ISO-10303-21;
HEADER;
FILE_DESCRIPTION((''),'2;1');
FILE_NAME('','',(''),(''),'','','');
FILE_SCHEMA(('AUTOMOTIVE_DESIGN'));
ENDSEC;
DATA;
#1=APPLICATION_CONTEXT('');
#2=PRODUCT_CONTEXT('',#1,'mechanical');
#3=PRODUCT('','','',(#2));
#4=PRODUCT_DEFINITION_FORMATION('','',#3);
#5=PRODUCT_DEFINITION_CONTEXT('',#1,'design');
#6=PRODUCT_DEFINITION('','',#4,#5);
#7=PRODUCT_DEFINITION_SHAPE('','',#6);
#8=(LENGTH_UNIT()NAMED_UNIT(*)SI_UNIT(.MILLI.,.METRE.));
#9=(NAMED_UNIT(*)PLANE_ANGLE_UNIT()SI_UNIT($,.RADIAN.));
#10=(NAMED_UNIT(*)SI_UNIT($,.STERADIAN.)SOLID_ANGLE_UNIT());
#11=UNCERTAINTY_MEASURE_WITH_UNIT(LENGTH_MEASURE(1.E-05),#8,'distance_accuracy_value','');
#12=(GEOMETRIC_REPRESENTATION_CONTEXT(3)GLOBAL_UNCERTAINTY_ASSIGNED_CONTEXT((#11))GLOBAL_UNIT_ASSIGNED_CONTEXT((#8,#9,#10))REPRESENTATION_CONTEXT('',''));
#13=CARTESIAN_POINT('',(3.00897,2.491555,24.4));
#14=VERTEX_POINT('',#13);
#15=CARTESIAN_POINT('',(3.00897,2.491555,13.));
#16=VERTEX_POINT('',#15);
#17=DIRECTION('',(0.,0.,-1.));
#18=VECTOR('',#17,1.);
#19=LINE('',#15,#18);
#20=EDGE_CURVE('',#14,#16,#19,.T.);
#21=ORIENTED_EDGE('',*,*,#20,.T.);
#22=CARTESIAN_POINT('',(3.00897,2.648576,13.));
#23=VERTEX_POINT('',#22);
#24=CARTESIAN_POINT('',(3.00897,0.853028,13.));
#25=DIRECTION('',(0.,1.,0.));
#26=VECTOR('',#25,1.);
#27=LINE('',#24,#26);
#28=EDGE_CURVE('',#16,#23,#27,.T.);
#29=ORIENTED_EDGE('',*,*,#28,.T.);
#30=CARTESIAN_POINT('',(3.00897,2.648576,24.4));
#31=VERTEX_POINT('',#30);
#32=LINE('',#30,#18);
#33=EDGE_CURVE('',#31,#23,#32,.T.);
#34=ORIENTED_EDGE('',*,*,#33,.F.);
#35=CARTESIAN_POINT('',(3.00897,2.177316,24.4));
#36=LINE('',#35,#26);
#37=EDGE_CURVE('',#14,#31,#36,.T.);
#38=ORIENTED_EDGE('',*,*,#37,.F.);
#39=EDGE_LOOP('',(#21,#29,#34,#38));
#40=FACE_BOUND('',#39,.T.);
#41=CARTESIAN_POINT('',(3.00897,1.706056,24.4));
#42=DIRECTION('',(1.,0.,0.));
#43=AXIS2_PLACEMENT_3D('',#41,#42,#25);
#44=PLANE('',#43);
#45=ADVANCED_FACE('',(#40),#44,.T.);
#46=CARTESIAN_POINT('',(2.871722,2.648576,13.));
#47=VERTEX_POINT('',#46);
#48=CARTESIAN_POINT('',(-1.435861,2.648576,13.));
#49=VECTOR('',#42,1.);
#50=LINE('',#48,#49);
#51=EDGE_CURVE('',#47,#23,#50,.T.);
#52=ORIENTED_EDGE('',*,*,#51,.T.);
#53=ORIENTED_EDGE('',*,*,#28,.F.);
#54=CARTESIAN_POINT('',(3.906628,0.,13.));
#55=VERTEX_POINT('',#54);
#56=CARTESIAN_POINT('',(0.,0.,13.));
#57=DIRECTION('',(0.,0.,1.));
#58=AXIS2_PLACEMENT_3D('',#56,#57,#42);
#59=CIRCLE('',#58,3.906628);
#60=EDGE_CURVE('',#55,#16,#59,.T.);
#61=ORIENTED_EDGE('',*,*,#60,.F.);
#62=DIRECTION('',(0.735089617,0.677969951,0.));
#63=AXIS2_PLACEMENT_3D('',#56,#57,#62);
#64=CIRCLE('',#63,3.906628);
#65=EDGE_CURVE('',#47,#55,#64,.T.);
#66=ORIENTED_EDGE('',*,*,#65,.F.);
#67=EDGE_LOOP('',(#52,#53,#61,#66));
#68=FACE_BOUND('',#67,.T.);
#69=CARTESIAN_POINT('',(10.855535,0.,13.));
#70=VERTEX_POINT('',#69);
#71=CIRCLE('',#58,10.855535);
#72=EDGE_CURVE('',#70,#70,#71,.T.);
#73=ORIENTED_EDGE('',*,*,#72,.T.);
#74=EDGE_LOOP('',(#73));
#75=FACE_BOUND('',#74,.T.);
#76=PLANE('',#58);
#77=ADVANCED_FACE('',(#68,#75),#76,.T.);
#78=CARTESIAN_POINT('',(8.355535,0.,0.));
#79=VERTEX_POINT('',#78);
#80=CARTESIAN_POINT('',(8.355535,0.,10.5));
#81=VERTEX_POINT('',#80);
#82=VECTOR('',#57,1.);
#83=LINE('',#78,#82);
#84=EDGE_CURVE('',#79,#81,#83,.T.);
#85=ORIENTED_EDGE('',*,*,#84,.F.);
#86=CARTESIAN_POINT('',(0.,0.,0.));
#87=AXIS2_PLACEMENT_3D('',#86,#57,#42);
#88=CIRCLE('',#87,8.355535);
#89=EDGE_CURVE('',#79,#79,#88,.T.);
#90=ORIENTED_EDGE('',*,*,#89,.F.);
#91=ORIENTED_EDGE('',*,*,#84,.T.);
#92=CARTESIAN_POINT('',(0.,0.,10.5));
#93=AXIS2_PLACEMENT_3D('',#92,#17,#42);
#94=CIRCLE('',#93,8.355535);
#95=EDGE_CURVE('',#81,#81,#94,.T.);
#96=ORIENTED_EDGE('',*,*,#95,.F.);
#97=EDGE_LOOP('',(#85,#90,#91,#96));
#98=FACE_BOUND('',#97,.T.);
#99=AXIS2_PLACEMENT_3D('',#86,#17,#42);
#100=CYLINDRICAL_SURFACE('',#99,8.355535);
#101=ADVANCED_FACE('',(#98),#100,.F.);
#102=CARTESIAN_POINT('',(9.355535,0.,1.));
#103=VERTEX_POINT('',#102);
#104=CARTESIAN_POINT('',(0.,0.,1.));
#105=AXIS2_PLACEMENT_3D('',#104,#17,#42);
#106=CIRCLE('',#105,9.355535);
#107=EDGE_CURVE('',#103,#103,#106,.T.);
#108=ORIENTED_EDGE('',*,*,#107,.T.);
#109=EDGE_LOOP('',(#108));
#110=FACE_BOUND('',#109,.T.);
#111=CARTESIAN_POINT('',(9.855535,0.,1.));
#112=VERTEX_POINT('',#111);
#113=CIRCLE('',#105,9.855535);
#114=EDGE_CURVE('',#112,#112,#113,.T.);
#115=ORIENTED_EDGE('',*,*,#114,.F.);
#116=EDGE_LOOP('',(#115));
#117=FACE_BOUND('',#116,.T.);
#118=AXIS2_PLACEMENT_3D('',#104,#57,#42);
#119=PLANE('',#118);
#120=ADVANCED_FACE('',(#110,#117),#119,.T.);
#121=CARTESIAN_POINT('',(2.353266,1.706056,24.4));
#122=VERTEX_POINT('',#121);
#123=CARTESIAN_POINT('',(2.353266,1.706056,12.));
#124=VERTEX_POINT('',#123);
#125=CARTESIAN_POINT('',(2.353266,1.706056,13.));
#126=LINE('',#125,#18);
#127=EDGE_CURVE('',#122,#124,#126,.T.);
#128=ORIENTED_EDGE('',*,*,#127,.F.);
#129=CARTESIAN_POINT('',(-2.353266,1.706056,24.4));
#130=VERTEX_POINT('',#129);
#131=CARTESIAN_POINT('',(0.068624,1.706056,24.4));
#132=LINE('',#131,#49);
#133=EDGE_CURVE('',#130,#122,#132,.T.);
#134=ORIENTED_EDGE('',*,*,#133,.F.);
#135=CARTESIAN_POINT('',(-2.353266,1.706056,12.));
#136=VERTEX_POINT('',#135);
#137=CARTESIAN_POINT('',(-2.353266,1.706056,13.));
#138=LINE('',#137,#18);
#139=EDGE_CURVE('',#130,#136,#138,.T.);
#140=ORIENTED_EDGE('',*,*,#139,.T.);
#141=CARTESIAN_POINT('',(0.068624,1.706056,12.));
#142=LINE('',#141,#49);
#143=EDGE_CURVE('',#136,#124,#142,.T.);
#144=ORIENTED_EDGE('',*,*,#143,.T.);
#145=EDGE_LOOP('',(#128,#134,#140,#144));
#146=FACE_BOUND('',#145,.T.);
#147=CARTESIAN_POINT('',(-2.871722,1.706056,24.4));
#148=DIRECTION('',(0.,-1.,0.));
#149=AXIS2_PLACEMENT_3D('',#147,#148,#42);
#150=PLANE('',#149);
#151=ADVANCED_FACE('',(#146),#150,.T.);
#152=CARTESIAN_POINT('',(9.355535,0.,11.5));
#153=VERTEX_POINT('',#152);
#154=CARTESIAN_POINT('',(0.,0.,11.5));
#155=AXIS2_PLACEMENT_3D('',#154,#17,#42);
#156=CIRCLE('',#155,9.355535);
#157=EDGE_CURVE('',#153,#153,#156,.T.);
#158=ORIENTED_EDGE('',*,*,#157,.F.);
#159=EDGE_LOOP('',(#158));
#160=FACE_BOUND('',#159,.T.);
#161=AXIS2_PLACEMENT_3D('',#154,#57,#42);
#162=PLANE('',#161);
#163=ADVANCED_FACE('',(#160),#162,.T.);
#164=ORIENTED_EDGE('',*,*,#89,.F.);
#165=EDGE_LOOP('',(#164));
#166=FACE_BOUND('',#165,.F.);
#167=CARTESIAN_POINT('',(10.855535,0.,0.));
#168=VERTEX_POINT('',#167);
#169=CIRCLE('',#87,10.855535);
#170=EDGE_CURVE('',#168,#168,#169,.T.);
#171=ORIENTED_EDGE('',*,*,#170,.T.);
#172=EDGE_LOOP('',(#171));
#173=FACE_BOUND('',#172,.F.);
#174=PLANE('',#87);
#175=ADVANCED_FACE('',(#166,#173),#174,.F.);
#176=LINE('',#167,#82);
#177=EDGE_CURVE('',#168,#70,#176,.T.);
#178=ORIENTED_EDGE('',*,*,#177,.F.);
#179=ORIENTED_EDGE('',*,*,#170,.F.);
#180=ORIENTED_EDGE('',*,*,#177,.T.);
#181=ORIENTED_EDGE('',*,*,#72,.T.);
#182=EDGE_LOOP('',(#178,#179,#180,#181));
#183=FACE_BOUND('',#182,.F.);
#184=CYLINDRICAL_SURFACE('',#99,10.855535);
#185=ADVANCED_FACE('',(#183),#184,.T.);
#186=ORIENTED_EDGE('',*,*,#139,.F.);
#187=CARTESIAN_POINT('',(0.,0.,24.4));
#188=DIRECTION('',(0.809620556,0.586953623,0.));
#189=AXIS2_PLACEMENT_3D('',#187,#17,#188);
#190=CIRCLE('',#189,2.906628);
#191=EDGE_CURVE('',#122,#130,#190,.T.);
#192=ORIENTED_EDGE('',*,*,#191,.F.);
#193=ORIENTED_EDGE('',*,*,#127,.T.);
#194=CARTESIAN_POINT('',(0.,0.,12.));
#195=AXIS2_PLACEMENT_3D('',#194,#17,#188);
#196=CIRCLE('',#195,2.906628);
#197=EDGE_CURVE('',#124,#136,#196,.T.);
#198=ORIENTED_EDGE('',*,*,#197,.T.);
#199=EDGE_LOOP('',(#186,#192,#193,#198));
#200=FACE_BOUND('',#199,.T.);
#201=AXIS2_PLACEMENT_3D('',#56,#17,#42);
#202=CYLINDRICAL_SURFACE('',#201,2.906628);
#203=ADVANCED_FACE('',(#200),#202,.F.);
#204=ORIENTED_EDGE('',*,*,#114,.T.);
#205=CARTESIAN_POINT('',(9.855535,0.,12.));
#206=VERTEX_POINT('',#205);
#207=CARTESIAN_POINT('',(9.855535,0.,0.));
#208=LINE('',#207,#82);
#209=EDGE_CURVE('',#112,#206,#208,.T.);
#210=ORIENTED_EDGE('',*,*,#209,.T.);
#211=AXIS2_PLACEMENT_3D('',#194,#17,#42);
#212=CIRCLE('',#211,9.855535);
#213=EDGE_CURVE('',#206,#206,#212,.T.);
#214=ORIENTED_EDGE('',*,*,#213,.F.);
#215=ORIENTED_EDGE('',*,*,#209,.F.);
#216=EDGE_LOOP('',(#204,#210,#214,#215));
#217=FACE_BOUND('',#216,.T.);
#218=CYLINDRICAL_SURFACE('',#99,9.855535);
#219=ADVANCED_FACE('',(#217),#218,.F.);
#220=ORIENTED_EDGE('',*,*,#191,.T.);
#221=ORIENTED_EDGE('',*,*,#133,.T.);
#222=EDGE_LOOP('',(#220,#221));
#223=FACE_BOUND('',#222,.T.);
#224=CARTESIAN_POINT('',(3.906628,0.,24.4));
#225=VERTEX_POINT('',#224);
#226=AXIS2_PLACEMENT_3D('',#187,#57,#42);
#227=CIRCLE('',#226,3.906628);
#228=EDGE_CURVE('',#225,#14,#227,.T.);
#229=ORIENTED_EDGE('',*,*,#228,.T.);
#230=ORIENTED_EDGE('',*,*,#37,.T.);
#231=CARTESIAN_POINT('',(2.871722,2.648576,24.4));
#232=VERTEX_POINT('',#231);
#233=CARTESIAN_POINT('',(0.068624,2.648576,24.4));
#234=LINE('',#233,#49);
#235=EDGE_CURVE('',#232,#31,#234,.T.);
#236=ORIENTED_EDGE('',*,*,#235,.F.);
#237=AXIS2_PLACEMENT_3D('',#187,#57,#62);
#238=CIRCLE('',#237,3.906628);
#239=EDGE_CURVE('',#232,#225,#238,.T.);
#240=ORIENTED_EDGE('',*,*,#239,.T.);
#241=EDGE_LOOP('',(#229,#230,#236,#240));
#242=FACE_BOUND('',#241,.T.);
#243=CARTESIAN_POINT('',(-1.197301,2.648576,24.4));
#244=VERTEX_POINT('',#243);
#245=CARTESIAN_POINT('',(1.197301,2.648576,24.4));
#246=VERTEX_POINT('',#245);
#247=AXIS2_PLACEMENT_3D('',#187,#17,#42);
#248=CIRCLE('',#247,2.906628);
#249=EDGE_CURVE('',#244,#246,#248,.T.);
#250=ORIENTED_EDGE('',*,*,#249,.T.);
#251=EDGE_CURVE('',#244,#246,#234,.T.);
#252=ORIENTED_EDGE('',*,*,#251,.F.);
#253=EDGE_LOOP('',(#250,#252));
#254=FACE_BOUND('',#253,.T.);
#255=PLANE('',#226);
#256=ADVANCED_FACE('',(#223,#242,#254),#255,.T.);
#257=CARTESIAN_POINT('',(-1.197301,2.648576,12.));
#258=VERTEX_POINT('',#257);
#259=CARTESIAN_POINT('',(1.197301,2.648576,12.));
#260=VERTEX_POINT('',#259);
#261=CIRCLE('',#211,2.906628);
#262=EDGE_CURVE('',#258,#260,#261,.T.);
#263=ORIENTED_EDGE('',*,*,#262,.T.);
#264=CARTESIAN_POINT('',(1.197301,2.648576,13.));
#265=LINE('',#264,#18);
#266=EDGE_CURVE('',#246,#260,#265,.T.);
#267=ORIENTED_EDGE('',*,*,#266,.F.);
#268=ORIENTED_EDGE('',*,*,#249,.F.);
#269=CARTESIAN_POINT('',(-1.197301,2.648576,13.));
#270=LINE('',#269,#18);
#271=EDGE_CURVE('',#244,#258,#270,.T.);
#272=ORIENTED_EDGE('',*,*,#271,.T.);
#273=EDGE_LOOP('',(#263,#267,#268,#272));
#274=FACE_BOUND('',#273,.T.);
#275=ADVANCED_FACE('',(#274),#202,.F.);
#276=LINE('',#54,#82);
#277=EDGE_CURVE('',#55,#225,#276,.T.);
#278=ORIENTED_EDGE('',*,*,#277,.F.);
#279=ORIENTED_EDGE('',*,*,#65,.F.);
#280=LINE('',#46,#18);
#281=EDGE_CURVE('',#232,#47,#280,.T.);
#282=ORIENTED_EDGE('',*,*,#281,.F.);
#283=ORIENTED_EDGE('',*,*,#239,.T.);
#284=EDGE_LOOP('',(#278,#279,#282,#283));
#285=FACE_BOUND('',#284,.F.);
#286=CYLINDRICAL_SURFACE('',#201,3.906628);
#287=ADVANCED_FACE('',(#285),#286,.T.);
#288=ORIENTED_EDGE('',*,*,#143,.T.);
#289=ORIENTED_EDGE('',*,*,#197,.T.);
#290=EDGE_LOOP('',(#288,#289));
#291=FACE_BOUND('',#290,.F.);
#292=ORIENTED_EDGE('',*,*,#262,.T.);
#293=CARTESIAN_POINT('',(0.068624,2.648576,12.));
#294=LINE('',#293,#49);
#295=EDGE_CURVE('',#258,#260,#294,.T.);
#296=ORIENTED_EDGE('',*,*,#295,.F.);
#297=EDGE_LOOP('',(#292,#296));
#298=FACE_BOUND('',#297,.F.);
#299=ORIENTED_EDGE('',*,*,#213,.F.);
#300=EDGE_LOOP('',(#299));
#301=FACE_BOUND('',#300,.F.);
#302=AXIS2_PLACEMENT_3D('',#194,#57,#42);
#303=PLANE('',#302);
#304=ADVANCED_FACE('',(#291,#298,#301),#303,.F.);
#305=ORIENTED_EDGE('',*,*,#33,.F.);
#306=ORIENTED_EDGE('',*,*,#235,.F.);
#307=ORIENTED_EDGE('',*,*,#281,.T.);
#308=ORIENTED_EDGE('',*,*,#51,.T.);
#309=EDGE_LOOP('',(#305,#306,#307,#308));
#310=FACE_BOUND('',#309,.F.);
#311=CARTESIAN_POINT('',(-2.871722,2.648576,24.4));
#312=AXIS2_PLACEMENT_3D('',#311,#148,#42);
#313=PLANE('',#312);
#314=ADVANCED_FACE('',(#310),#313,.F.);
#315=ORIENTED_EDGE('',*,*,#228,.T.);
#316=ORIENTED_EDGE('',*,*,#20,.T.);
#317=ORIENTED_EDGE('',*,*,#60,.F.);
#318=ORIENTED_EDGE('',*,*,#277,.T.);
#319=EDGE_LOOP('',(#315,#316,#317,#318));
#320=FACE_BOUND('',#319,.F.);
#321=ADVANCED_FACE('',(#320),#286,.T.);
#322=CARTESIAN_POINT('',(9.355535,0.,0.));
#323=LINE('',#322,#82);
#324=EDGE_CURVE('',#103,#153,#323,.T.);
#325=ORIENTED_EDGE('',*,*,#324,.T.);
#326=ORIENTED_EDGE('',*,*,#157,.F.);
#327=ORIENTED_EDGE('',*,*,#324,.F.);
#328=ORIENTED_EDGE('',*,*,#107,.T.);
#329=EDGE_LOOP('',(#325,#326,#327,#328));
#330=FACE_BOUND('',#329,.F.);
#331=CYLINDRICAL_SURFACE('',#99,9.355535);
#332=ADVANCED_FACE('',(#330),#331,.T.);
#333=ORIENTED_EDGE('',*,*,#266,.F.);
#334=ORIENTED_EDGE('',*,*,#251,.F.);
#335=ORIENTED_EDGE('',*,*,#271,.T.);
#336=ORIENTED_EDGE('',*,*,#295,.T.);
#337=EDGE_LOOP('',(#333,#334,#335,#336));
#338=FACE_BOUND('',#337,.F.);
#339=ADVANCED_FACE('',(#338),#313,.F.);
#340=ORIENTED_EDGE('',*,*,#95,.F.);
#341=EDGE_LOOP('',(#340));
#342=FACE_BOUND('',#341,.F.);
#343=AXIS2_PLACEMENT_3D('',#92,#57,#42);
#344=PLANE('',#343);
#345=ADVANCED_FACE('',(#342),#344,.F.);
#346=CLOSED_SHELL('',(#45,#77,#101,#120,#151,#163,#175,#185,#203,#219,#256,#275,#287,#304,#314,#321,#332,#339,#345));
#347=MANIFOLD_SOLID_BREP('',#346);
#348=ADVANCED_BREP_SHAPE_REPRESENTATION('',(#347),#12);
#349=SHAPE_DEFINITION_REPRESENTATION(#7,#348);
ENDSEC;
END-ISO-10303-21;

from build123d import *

# Parameters (mm, degrees)
F0_R     = 10.8555352801
F1_DEPTH = 13
F2_T     = -2.5
F3_R     = 3.906627993
F4_DEPTH = 11.4
F5_T     = -1
F6_W     = 5.8806912699
F6_H     = 0.9425205584
F7_DEPTH = 12.4


with BuildPart() as f1:
    # F0 (on Top) → F1 (new body)
    with BuildSketch(Plane.XY):
        Circle(F0_R)
    extrude(amount=F1_DEPTH)

    # F2
    f2_openings = [f1.faces().sort_by_distance(p)[0] for p in [
        (0, 0, 0),
    ]]
    offset(amount=F2_T, openings=f2_openings)

    # F3 (on face) → F4 (join)
    with BuildSketch(Plane.XY.offset(13)):
        Circle(F3_R)
    extrude(amount=F4_DEPTH)

    # F5
    f5_openings = [f1.faces().sort_by_distance(p)[0] for p in [
        (0, 0, 24.4),
    ]]
    offset(amount=F5_T, openings=f5_openings, kind=Kind.INTERSECTION)

    # F6 (on face) → F7 (join)
    with BuildSketch(Plane.XY.offset(24.4)):
        with Locations((0.0686239588, 2.1773161103)):
            Rectangle(F6_W, F6_H)
    extrude(amount=-F7_DEPTH)


solid = f1.part
